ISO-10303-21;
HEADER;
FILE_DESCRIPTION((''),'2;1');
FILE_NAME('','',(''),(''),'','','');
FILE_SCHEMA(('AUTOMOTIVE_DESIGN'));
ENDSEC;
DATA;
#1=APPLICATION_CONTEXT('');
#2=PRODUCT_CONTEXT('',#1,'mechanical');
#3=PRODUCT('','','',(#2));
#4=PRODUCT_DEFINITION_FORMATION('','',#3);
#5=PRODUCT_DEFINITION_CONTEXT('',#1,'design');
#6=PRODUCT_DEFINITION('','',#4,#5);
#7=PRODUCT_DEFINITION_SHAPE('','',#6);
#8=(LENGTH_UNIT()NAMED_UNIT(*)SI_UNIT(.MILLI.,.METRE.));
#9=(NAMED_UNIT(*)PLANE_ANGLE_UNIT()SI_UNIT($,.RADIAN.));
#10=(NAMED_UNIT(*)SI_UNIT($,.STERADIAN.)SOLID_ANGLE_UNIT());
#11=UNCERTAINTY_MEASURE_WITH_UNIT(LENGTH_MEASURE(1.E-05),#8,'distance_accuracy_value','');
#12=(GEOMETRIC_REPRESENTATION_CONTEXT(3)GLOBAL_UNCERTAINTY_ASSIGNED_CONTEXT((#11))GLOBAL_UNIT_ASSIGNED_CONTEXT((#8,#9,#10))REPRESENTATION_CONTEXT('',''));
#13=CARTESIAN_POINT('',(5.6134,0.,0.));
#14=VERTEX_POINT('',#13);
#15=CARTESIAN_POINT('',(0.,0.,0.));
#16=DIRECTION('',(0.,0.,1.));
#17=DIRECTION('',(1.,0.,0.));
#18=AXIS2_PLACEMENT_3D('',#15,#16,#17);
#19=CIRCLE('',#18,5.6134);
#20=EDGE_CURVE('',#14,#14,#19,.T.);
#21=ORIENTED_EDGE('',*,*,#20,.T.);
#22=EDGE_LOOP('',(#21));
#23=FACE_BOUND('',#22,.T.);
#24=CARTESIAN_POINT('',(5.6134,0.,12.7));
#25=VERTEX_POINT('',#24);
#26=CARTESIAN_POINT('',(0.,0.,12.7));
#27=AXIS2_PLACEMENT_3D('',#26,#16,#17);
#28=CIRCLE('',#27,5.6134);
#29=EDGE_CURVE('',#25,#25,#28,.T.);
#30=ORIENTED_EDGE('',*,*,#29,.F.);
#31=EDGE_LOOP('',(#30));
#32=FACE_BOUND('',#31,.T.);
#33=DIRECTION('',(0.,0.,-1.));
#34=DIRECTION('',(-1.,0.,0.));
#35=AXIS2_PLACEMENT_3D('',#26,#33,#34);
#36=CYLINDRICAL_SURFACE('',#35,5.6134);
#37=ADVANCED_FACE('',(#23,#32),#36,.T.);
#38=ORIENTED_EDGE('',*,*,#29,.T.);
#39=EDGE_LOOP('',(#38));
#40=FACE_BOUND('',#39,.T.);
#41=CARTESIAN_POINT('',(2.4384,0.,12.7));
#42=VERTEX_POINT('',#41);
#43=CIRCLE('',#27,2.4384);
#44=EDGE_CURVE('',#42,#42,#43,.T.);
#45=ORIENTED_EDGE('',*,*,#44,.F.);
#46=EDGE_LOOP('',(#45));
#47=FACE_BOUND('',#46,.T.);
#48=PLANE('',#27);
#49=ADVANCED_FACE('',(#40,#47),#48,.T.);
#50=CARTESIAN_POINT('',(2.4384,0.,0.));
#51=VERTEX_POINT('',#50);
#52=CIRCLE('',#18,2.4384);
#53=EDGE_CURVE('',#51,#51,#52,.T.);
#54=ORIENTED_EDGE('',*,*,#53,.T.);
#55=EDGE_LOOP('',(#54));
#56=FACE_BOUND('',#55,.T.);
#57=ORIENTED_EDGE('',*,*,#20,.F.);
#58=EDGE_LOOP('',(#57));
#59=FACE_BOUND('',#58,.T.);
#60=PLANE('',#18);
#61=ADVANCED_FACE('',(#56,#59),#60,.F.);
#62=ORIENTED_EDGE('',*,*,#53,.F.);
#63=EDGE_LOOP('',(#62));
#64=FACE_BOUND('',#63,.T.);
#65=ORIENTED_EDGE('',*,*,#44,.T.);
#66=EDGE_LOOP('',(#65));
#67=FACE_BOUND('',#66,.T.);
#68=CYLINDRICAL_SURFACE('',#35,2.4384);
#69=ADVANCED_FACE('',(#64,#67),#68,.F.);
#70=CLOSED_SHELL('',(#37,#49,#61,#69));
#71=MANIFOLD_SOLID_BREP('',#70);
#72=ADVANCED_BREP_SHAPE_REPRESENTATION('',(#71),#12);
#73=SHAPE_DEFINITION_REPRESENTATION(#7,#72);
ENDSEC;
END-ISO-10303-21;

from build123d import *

# Parameters (mm, degrees)
SKETCH1_R           = 5.6134
SKETCH1_R_2         = 2.4384
BOSS_EXTRUDE1_DEPTH = 12.7


with BuildPart() as part:
    # Sketch1 → Boss-Extrude1 (new body)
    with BuildSketch(Plane.XY):
        Circle(SKETCH1_R)
        Circle(SKETCH1_R_2, mode=Mode.SUBTRACT)
    extrude(amount=BOSS_EXTRUDE1_DEPTH)


solid = part.part
